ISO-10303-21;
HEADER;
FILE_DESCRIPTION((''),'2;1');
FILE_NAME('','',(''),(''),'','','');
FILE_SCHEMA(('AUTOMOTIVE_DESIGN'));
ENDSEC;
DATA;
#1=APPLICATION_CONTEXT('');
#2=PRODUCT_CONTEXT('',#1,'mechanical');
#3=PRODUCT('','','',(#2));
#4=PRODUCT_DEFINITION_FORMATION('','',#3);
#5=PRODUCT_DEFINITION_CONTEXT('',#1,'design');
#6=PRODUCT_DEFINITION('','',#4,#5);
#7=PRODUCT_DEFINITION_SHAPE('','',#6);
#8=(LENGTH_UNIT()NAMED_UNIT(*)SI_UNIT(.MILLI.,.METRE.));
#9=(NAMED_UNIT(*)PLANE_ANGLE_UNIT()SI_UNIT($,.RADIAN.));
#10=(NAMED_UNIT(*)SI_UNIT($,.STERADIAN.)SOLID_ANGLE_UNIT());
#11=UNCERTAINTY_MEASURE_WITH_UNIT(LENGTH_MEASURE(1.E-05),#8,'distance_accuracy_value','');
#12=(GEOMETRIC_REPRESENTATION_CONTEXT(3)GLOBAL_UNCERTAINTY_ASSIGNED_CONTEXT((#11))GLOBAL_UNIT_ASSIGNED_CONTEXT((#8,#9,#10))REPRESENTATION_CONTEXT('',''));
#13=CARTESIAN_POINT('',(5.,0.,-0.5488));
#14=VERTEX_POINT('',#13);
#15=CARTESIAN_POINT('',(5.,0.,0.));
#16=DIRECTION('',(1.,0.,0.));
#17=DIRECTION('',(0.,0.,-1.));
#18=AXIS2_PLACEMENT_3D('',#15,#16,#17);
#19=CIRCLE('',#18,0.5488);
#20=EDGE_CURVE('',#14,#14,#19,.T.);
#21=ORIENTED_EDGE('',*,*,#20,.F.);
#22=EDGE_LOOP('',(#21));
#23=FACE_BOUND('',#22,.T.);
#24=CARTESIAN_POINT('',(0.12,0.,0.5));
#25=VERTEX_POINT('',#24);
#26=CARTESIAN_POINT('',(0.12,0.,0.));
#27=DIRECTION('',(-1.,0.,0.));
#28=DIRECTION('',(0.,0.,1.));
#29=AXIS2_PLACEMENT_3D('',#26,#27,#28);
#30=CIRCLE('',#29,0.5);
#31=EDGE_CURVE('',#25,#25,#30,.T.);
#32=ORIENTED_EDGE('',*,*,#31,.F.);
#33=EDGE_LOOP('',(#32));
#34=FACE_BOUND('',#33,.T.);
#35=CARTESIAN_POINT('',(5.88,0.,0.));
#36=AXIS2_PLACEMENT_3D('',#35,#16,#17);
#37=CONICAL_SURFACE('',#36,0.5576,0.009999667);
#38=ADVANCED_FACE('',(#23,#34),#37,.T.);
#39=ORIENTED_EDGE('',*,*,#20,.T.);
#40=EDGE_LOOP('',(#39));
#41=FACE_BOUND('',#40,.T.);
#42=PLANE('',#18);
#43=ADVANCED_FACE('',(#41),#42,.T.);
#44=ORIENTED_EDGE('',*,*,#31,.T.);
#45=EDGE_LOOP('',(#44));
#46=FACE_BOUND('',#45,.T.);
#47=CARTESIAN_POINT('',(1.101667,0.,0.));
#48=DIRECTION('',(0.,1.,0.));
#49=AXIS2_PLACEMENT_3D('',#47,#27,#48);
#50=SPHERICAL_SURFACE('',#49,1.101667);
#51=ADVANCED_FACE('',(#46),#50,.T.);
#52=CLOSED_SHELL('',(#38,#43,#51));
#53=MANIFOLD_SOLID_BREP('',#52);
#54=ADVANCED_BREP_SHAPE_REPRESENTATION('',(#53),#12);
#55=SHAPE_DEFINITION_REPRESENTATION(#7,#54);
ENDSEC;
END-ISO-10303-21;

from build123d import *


with BuildPart() as part:
    # Sketch1 → Base-Revolve (revolve)
    with BuildSketch(Plane.XY):
        with BuildLine():
            Line((0.12, 0.5), (5.88, 0.5576))
            ThreePointArc((5.88, 0.5576), (5.96966046, 0.285183169), (6, 0))
            Line((6, 0), (0, 0))
            ThreePointArc((0, 0), (0.030419989, 0.257099203), (0.12, 0.5))
        make_face()
    revolve(axis=Axis((0, 0, 0), (1, 0, 0)))

    # SurfaceCut1
    split(bisect_by=Plane(origin=(5, 0, 0), x_dir=(0, 0, -1), z_dir=(1, 0, 0)), keep=Keep.BOTTOM)


solid = part.part
